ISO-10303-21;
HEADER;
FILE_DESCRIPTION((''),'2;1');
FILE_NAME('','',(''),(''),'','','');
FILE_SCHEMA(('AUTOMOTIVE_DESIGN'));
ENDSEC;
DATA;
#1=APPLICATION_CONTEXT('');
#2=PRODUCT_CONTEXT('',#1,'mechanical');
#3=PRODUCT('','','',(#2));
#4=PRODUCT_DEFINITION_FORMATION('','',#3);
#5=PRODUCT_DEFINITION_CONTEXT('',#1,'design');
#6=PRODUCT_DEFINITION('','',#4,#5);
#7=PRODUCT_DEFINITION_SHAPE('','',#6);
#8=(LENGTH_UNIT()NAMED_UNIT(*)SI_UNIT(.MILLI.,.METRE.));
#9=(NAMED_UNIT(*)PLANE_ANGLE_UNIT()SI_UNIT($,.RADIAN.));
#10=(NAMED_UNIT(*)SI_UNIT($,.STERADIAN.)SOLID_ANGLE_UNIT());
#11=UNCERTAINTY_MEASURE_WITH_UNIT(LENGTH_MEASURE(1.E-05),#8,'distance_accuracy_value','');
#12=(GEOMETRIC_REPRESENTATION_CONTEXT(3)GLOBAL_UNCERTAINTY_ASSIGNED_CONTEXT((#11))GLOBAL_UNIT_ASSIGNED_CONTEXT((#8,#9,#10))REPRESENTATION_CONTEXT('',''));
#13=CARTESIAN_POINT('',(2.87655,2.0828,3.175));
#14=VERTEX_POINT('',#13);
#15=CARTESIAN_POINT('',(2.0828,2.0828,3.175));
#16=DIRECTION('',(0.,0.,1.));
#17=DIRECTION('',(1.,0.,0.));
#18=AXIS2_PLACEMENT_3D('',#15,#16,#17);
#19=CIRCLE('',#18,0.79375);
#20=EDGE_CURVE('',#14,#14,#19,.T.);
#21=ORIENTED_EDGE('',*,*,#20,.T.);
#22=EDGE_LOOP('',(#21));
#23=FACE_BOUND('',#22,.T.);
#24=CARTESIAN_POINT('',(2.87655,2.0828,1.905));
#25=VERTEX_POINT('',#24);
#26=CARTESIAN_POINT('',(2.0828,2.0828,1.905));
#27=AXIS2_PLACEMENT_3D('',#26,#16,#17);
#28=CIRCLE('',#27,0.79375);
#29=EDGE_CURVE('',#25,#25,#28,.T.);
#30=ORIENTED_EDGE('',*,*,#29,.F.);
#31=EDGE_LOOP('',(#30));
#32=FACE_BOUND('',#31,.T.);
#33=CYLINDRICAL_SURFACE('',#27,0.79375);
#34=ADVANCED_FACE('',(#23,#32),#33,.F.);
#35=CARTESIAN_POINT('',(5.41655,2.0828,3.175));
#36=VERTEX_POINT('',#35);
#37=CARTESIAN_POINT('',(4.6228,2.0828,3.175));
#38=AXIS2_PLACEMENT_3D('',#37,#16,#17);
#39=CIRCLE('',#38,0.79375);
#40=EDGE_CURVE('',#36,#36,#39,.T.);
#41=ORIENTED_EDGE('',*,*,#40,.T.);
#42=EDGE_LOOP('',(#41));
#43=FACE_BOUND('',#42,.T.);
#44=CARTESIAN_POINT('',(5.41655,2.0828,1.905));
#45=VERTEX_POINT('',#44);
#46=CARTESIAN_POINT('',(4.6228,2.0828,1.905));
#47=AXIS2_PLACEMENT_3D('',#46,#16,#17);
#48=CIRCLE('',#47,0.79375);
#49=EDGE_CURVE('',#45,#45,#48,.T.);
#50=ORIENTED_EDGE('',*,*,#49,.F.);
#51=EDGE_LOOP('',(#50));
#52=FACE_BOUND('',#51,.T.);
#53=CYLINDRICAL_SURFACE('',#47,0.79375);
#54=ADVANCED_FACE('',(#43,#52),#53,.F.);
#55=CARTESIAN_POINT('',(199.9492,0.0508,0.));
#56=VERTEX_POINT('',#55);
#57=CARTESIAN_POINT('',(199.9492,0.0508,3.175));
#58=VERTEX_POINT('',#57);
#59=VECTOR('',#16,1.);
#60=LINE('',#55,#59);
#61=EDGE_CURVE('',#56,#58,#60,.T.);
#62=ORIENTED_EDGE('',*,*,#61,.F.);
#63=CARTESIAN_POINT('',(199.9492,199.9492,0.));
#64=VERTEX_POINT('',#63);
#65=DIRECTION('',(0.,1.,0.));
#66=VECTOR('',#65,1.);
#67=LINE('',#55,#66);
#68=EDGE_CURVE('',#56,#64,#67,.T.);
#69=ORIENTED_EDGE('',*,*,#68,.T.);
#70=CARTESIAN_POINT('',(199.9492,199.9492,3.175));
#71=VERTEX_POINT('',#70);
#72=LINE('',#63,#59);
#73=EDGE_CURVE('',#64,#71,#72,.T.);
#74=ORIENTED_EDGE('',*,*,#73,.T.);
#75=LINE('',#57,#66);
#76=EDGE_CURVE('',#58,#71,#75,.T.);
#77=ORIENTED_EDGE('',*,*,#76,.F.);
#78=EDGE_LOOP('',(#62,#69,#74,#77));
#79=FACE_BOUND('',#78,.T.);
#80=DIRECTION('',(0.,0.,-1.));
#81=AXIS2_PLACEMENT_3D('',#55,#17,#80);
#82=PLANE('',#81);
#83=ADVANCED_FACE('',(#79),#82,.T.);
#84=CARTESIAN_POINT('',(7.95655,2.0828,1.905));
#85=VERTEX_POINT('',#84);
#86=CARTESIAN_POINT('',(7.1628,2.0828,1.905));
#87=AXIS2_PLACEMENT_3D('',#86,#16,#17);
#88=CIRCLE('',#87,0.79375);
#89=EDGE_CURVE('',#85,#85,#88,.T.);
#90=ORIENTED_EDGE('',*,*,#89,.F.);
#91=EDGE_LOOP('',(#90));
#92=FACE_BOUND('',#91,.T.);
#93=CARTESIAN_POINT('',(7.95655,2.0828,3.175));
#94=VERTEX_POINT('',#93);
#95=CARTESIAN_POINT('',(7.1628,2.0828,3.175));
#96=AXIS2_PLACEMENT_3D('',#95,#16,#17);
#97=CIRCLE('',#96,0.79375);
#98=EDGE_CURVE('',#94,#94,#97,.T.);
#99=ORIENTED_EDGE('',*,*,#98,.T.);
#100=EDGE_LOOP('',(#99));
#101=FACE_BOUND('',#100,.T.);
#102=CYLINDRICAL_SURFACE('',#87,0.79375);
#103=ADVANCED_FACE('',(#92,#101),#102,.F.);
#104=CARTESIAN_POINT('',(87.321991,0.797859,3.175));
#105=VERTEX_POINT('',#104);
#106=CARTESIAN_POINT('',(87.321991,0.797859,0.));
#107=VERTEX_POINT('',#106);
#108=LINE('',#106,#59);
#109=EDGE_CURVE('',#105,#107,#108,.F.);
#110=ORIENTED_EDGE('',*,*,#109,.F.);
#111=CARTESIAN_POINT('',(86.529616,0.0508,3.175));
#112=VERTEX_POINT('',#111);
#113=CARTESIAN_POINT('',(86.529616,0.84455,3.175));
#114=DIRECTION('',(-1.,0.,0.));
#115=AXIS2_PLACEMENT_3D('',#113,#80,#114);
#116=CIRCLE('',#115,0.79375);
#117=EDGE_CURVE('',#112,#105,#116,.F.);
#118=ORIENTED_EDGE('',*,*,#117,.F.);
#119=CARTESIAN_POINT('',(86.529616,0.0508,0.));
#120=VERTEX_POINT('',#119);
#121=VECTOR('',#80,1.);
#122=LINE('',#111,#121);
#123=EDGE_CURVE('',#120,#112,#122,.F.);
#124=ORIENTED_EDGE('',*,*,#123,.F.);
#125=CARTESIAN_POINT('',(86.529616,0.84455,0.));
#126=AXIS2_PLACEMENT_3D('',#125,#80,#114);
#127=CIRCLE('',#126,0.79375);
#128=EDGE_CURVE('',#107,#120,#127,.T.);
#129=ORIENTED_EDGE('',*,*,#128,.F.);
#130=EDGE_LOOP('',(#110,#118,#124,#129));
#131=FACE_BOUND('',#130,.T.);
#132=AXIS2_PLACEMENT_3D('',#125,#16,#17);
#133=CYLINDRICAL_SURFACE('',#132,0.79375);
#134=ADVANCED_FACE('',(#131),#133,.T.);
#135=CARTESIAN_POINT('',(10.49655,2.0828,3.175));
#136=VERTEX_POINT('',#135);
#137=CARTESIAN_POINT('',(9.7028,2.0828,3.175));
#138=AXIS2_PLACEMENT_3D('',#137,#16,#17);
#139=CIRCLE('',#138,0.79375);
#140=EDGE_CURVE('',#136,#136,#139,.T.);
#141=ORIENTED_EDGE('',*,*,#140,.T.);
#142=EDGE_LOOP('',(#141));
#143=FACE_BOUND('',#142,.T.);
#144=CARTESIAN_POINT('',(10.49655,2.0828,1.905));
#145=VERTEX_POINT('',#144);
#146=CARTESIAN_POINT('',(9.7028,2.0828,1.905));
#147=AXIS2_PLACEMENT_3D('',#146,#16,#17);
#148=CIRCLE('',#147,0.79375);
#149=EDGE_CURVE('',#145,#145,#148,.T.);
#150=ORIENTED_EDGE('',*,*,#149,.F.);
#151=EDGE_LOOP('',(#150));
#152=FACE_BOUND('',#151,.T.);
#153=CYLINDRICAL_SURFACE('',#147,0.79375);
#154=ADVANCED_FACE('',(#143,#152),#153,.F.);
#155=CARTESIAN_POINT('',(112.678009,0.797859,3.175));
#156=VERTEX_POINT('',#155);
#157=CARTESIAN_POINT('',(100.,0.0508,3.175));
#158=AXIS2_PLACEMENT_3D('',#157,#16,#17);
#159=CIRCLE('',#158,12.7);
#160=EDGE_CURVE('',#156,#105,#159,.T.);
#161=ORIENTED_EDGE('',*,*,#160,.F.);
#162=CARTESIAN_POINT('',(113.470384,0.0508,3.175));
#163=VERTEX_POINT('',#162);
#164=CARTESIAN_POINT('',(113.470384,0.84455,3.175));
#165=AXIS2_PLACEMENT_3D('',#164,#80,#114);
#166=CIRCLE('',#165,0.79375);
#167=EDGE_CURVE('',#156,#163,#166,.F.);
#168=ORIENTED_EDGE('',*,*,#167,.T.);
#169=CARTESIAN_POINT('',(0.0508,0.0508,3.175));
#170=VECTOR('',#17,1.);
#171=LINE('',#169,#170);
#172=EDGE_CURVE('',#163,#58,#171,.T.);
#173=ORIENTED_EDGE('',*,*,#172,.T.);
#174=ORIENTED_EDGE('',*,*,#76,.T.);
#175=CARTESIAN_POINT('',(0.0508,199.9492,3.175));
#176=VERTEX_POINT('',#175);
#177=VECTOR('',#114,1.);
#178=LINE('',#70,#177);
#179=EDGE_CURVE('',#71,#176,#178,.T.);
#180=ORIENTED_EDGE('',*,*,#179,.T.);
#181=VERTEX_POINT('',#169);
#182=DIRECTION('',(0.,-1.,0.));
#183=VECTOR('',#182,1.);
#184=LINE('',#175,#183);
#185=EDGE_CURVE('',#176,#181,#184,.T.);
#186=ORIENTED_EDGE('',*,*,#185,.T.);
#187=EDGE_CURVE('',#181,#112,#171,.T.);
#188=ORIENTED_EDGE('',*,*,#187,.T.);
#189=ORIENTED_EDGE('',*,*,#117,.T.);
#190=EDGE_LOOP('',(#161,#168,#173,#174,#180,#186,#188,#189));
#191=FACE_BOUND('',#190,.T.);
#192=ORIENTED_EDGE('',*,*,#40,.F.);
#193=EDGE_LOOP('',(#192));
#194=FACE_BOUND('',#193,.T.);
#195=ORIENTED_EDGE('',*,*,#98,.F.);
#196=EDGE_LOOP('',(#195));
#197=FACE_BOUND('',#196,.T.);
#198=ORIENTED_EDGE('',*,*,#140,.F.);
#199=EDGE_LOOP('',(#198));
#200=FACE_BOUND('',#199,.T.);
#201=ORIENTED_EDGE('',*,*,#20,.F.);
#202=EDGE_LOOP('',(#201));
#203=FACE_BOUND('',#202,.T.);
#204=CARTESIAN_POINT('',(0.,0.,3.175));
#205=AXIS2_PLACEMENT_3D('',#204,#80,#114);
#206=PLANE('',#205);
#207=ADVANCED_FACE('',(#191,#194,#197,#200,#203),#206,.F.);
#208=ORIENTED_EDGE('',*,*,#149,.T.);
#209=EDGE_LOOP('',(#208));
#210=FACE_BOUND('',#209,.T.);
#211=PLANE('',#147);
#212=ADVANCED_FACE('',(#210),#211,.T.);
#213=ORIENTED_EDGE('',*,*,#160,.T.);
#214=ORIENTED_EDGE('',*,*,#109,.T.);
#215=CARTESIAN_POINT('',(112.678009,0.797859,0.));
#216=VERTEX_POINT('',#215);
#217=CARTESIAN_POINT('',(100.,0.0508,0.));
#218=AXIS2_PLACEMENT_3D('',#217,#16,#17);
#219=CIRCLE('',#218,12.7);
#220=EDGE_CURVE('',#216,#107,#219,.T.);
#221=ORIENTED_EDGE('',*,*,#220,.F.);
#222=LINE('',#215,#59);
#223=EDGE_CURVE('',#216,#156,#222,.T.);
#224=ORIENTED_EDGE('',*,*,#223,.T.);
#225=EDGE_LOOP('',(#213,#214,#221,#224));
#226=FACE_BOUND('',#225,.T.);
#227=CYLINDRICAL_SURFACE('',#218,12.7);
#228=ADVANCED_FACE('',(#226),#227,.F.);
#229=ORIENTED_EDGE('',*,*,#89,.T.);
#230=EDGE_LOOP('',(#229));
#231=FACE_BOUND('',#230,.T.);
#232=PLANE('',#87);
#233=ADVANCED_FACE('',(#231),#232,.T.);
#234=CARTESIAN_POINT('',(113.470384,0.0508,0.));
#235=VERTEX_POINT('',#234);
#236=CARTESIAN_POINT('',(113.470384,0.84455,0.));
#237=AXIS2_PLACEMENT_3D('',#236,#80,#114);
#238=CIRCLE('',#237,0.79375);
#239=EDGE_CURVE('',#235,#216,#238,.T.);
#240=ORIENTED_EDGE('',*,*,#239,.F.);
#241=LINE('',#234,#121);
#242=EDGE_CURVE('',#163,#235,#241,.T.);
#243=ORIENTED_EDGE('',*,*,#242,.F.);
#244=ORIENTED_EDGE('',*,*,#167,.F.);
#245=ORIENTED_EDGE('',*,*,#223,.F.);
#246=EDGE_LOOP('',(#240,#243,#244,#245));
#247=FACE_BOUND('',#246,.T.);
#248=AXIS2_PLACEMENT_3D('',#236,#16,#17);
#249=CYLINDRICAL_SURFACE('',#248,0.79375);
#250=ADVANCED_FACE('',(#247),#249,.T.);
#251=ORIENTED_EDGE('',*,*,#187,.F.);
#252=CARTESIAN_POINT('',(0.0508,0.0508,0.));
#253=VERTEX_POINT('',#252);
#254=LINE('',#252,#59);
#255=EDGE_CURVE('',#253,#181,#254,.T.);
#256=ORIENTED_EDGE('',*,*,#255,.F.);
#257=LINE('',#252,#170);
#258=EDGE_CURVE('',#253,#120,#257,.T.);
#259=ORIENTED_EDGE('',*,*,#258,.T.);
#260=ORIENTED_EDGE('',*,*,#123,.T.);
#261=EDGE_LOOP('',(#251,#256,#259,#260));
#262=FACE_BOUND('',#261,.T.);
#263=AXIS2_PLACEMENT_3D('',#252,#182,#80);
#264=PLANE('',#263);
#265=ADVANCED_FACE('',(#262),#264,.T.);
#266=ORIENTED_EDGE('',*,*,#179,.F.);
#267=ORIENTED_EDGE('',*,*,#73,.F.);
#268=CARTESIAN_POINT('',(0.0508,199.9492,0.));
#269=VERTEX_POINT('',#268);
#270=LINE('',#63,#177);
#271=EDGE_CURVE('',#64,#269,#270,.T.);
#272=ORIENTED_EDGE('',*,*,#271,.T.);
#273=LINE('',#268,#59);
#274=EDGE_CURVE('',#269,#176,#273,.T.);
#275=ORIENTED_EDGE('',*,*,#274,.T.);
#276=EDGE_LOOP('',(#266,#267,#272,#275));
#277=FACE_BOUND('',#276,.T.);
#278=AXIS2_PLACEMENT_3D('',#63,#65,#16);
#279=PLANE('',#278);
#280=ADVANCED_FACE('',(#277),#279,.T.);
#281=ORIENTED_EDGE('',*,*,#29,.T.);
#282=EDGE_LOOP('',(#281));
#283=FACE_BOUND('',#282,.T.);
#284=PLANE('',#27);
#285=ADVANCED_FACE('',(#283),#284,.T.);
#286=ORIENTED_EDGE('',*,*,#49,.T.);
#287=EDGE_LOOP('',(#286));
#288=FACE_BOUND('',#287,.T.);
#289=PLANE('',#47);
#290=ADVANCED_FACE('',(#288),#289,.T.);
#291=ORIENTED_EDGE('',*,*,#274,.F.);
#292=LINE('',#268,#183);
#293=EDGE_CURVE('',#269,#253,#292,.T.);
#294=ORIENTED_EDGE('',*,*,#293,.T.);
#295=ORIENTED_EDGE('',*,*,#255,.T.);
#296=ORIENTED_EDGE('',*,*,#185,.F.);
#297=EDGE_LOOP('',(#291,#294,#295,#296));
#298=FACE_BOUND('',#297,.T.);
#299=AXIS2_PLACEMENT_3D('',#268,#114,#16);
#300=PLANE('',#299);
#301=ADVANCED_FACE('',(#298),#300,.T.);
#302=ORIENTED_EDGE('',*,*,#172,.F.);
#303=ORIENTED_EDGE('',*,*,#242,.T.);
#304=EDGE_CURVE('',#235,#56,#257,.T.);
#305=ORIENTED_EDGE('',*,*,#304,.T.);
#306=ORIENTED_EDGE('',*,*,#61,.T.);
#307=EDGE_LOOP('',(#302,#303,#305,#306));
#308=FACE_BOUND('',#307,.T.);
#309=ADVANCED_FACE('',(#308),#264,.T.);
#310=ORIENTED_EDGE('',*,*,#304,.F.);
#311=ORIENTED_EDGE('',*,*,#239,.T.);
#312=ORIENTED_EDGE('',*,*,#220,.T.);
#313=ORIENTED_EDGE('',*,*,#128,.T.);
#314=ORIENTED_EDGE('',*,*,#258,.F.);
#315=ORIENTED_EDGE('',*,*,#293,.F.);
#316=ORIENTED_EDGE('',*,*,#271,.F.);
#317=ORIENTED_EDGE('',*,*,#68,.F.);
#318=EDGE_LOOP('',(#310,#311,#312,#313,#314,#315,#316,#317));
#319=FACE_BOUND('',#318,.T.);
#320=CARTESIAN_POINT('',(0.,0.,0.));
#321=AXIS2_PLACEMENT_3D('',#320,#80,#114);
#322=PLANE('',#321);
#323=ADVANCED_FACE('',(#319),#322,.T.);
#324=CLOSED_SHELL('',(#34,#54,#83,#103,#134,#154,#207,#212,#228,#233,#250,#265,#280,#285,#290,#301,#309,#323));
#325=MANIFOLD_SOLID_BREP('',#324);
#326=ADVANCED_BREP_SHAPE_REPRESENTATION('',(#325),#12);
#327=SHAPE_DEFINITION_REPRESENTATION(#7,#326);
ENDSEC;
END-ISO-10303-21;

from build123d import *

# Parameters (mm, degrees)
SKETCH1_W           = 200
SKETCH1_H           = 200
BOSS_EXTRUDE1_DEPTH = 3.175
SKETCH5_W           = 200
SKETCH5_H           = 200
SKETCH5_W_2         = 199.8984
SKETCH5_H_2         = 199.8984
CUT_EXTRUDE2_DEPTH  = 283.860532109
CUT_EXTRUDE1_DEPTH  = 3.175
FILLET1_R           = 0.79375
SKETCH6_R           = 0.79375
CUT_EXTRUDE3_DEPTH  = 1.27
LPATTERN1_COUNT     = 4
LPATTERN1_PITCH     = 2.54


with BuildPart() as part:
    # Sketch1 → Boss-Extrude1 (new body)
    with BuildSketch(Plane.XY):
        with Locations((100, 100)):
            Rectangle(SKETCH1_W, SKETCH1_H)
    extrude(amount=BOSS_EXTRUDE1_DEPTH)

    # Sketch5 → Cut-Extrude2 (cut, through all)
    with BuildSketch(Plane.XY.offset(3.175)):
        with Locations((100, 100)):
            Rectangle(SKETCH5_W, SKETCH5_H)
        with Locations((100, 100)):
            Rectangle(SKETCH5_W_2, SKETCH5_H_2, mode=Mode.SUBTRACT)
    extrude(amount=-CUT_EXTRUDE2_DEPTH, mode=Mode.SUBTRACT)

    # Sketch2 → Cut-Extrude1 (cut)
    with BuildSketch(Plane.XY.offset(3.175)):
        with BuildLine():
            Line((87.3, 0.0508), (112.7, 0.0508))
            ThreePointArc((112.7, 0.0508), (100, 12.7508), (87.3, 0.0508))
        make_face()
    extrude(amount=-CUT_EXTRUDE1_DEPTH, mode=Mode.SUBTRACT)

    # Fillet1
    fillet1_edges = [part.edges().sort_by_distance(p)[0] for p in [
        (87.3, 0.0508, 1.5875),
        (112.7, 0.0508, 1.5875),
    ]]
    fillet(fillet1_edges, radius=FILLET1_R)

    # Sketch6 → Cut-Extrude3 (cut)
    with BuildSketch(Plane.XY.offset(3.175)):
        with Locations((2.0828, 2.0828)):
            Circle(SKETCH6_R)
    cut_extrude3 = extrude(amount=-CUT_EXTRUDE3_DEPTH, mode=Mode.SUBTRACT)

    # LPattern1: Cut-Extrude3 ×4
    with Locations(*[(i * LPATTERN1_PITCH, 0, 0) for i in range(1, LPATTERN1_COUNT)]):
        add(cut_extrude3, mode=Mode.SUBTRACT)


solid = part.part
